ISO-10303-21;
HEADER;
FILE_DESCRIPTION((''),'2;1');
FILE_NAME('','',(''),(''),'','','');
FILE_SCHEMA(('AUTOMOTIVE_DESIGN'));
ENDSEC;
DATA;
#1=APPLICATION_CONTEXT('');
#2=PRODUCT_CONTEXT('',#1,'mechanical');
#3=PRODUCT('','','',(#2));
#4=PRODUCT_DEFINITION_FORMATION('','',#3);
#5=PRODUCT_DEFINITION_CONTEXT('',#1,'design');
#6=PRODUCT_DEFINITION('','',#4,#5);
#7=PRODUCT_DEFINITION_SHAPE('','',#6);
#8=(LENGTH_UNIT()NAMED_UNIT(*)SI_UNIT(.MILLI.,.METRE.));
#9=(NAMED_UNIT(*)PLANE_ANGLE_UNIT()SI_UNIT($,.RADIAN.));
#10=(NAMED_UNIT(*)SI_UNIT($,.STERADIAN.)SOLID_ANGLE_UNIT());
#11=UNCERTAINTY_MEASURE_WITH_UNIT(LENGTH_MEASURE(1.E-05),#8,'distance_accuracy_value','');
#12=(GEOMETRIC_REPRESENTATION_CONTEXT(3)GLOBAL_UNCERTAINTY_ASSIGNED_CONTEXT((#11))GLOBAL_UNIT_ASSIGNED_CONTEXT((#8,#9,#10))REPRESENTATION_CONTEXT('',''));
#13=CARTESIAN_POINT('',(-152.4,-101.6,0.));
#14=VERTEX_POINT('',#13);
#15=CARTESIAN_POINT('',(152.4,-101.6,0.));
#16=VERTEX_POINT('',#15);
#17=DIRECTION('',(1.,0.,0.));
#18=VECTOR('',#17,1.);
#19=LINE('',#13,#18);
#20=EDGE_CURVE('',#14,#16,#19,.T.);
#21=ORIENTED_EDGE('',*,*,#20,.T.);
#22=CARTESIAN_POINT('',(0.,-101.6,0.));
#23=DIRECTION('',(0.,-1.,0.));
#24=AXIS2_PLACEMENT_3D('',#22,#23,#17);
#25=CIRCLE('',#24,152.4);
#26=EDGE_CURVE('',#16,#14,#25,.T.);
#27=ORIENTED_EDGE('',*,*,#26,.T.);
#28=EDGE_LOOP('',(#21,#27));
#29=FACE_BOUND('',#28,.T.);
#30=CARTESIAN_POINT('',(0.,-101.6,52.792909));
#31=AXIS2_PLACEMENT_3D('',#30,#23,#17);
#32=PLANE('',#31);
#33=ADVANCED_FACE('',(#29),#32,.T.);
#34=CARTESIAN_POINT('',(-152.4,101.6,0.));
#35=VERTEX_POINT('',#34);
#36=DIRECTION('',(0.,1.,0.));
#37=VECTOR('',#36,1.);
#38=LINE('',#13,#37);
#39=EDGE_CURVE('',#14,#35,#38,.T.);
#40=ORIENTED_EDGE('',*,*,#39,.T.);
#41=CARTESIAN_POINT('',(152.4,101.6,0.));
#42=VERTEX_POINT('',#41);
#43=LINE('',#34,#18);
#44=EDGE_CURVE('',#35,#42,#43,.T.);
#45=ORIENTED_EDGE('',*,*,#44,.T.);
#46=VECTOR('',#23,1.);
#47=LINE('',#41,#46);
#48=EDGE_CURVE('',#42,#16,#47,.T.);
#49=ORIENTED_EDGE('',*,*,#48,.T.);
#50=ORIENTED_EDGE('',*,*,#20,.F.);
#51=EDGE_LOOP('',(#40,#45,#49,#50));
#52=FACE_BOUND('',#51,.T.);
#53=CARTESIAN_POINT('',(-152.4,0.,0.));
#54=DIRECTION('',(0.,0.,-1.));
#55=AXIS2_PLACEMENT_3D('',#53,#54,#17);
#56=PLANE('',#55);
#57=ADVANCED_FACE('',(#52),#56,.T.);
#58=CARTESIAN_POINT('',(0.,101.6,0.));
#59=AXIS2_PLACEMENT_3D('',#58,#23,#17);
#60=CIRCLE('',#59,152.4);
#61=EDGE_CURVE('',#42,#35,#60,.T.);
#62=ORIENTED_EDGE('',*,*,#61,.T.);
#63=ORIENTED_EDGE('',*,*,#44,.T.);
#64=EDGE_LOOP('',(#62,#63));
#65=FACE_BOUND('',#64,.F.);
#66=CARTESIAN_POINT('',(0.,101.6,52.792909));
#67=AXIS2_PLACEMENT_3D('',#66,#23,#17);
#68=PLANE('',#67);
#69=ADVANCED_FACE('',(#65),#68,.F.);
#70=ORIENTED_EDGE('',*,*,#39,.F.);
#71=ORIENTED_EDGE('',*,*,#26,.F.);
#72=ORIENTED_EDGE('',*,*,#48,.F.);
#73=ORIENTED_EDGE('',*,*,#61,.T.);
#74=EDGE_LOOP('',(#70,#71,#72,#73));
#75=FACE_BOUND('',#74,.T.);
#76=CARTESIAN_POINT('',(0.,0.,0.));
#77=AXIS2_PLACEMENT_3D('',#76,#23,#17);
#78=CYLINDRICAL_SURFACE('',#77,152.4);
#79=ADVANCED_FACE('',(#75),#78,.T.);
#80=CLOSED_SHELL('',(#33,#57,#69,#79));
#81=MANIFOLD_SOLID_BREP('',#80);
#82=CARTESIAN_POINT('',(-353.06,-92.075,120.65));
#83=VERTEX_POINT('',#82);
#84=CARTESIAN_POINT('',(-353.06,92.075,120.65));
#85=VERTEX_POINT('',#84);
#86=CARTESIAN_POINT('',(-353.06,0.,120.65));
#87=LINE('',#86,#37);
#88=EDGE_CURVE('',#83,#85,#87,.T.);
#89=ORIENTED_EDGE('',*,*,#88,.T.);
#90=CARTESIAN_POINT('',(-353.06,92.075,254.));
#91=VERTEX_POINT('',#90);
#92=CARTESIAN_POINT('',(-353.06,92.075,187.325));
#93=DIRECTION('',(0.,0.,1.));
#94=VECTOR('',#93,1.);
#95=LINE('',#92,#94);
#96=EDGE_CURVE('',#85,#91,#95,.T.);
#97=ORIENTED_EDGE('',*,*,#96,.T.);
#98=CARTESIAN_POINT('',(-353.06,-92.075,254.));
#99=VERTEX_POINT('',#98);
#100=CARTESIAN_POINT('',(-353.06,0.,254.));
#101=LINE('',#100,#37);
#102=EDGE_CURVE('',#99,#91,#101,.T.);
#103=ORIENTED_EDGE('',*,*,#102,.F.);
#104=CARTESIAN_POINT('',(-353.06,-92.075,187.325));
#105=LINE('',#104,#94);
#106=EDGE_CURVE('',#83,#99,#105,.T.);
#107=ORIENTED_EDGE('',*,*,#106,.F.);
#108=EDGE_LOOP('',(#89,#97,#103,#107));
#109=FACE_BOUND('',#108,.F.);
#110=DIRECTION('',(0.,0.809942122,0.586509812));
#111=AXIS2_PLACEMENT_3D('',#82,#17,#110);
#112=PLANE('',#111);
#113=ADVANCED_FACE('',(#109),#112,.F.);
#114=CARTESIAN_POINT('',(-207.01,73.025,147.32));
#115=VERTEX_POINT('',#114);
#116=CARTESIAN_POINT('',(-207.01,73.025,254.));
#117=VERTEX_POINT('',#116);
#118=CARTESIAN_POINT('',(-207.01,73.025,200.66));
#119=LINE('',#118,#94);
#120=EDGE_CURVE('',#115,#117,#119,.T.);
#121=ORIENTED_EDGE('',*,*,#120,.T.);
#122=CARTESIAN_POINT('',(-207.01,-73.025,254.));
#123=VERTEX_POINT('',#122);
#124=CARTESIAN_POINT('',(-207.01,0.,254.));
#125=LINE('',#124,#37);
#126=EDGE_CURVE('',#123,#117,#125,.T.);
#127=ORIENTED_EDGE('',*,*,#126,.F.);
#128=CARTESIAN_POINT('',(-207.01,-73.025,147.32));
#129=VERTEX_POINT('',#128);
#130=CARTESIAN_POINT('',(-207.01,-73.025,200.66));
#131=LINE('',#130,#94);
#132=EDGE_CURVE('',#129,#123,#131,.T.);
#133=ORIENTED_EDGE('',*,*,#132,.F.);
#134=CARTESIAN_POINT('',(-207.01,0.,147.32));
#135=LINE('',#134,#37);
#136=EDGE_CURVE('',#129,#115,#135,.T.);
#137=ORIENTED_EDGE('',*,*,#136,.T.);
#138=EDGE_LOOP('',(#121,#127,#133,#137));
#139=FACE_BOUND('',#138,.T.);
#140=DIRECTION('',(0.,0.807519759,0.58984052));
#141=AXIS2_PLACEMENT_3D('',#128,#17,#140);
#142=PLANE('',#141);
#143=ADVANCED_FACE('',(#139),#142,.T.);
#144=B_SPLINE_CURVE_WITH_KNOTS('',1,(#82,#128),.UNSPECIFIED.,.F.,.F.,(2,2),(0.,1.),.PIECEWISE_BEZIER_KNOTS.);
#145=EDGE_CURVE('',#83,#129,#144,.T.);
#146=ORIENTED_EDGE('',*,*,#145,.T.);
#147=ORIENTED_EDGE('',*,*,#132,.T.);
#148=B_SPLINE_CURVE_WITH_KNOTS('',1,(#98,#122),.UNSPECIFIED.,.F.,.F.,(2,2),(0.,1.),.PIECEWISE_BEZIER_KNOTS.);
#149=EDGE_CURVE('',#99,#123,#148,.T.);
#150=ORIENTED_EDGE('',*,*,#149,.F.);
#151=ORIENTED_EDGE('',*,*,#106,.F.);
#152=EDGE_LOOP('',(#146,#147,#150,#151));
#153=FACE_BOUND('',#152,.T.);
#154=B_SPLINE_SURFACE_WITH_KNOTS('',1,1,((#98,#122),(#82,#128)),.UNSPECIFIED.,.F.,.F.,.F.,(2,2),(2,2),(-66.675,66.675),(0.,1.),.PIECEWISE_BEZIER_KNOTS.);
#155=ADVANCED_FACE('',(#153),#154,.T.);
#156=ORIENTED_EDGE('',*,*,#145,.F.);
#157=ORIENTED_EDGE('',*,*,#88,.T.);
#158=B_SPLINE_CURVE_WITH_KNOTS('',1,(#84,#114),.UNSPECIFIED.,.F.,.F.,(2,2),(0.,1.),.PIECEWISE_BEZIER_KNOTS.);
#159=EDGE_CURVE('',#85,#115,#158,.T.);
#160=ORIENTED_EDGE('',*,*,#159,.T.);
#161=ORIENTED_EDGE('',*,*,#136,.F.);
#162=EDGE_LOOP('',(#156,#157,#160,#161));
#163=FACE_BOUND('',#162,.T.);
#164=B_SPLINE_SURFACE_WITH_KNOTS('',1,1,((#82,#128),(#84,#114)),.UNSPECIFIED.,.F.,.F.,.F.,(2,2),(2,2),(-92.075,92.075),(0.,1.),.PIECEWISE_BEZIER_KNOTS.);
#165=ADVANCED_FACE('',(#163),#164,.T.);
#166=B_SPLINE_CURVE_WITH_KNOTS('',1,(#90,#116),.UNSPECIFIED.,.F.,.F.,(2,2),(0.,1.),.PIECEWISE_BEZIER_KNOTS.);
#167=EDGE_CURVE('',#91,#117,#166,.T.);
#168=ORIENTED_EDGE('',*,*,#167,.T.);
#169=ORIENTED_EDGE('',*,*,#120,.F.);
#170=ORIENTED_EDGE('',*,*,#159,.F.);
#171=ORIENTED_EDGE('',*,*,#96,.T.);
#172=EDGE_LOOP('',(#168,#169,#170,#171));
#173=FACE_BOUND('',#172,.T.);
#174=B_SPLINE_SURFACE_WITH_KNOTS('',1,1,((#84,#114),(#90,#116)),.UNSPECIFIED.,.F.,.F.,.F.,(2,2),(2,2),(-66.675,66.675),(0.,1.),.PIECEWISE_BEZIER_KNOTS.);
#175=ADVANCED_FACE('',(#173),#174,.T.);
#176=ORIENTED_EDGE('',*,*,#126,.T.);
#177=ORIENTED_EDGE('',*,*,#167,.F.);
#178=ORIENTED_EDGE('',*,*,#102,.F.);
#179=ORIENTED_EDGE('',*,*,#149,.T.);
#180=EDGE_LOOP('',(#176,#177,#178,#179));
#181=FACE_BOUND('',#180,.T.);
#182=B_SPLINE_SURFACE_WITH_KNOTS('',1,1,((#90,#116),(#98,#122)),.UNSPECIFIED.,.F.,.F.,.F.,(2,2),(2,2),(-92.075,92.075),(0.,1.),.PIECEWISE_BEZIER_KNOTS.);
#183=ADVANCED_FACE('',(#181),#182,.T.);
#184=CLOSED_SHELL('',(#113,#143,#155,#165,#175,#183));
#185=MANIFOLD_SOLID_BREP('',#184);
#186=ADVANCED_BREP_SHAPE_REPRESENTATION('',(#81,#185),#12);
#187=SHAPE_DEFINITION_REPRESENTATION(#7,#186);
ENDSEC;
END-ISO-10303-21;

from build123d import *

# Parameters (mm, degrees)
F1_DEPTH = 101.6
F6_W     = 184.15
F6_H     = 133.35
F5_W     = 146.05
F5_H     = 106.68


with BuildPart() as f1:
    # F0 (on Front) → F1 (new body, symmetric)
    with BuildSketch(Plane.XZ):
        with BuildLine():
            Line((-152.4, 0), (152.4, 0))
            ThreePointArc((152.4, 0), (0, 152.4), (-152.4, 0))
        make_face()
    extrude(amount=F1_DEPTH, both=True)


with BuildPart() as f7:
    # F6 (on face) → F7 section 0
    with BuildSketch(Plane.YZ.offset(-353.06)):
        with Locations((0, 187.325)):
            Rectangle(F6_W, F6_H)
    # F5 (on face) → F7 section 1
    with BuildSketch(Plane.YZ.offset(-207.01)):
        with Locations((0, 200.66)):
            Rectangle(F5_W, F5_H)
    loft()


solid = Compound([f1.part, f7.part])
